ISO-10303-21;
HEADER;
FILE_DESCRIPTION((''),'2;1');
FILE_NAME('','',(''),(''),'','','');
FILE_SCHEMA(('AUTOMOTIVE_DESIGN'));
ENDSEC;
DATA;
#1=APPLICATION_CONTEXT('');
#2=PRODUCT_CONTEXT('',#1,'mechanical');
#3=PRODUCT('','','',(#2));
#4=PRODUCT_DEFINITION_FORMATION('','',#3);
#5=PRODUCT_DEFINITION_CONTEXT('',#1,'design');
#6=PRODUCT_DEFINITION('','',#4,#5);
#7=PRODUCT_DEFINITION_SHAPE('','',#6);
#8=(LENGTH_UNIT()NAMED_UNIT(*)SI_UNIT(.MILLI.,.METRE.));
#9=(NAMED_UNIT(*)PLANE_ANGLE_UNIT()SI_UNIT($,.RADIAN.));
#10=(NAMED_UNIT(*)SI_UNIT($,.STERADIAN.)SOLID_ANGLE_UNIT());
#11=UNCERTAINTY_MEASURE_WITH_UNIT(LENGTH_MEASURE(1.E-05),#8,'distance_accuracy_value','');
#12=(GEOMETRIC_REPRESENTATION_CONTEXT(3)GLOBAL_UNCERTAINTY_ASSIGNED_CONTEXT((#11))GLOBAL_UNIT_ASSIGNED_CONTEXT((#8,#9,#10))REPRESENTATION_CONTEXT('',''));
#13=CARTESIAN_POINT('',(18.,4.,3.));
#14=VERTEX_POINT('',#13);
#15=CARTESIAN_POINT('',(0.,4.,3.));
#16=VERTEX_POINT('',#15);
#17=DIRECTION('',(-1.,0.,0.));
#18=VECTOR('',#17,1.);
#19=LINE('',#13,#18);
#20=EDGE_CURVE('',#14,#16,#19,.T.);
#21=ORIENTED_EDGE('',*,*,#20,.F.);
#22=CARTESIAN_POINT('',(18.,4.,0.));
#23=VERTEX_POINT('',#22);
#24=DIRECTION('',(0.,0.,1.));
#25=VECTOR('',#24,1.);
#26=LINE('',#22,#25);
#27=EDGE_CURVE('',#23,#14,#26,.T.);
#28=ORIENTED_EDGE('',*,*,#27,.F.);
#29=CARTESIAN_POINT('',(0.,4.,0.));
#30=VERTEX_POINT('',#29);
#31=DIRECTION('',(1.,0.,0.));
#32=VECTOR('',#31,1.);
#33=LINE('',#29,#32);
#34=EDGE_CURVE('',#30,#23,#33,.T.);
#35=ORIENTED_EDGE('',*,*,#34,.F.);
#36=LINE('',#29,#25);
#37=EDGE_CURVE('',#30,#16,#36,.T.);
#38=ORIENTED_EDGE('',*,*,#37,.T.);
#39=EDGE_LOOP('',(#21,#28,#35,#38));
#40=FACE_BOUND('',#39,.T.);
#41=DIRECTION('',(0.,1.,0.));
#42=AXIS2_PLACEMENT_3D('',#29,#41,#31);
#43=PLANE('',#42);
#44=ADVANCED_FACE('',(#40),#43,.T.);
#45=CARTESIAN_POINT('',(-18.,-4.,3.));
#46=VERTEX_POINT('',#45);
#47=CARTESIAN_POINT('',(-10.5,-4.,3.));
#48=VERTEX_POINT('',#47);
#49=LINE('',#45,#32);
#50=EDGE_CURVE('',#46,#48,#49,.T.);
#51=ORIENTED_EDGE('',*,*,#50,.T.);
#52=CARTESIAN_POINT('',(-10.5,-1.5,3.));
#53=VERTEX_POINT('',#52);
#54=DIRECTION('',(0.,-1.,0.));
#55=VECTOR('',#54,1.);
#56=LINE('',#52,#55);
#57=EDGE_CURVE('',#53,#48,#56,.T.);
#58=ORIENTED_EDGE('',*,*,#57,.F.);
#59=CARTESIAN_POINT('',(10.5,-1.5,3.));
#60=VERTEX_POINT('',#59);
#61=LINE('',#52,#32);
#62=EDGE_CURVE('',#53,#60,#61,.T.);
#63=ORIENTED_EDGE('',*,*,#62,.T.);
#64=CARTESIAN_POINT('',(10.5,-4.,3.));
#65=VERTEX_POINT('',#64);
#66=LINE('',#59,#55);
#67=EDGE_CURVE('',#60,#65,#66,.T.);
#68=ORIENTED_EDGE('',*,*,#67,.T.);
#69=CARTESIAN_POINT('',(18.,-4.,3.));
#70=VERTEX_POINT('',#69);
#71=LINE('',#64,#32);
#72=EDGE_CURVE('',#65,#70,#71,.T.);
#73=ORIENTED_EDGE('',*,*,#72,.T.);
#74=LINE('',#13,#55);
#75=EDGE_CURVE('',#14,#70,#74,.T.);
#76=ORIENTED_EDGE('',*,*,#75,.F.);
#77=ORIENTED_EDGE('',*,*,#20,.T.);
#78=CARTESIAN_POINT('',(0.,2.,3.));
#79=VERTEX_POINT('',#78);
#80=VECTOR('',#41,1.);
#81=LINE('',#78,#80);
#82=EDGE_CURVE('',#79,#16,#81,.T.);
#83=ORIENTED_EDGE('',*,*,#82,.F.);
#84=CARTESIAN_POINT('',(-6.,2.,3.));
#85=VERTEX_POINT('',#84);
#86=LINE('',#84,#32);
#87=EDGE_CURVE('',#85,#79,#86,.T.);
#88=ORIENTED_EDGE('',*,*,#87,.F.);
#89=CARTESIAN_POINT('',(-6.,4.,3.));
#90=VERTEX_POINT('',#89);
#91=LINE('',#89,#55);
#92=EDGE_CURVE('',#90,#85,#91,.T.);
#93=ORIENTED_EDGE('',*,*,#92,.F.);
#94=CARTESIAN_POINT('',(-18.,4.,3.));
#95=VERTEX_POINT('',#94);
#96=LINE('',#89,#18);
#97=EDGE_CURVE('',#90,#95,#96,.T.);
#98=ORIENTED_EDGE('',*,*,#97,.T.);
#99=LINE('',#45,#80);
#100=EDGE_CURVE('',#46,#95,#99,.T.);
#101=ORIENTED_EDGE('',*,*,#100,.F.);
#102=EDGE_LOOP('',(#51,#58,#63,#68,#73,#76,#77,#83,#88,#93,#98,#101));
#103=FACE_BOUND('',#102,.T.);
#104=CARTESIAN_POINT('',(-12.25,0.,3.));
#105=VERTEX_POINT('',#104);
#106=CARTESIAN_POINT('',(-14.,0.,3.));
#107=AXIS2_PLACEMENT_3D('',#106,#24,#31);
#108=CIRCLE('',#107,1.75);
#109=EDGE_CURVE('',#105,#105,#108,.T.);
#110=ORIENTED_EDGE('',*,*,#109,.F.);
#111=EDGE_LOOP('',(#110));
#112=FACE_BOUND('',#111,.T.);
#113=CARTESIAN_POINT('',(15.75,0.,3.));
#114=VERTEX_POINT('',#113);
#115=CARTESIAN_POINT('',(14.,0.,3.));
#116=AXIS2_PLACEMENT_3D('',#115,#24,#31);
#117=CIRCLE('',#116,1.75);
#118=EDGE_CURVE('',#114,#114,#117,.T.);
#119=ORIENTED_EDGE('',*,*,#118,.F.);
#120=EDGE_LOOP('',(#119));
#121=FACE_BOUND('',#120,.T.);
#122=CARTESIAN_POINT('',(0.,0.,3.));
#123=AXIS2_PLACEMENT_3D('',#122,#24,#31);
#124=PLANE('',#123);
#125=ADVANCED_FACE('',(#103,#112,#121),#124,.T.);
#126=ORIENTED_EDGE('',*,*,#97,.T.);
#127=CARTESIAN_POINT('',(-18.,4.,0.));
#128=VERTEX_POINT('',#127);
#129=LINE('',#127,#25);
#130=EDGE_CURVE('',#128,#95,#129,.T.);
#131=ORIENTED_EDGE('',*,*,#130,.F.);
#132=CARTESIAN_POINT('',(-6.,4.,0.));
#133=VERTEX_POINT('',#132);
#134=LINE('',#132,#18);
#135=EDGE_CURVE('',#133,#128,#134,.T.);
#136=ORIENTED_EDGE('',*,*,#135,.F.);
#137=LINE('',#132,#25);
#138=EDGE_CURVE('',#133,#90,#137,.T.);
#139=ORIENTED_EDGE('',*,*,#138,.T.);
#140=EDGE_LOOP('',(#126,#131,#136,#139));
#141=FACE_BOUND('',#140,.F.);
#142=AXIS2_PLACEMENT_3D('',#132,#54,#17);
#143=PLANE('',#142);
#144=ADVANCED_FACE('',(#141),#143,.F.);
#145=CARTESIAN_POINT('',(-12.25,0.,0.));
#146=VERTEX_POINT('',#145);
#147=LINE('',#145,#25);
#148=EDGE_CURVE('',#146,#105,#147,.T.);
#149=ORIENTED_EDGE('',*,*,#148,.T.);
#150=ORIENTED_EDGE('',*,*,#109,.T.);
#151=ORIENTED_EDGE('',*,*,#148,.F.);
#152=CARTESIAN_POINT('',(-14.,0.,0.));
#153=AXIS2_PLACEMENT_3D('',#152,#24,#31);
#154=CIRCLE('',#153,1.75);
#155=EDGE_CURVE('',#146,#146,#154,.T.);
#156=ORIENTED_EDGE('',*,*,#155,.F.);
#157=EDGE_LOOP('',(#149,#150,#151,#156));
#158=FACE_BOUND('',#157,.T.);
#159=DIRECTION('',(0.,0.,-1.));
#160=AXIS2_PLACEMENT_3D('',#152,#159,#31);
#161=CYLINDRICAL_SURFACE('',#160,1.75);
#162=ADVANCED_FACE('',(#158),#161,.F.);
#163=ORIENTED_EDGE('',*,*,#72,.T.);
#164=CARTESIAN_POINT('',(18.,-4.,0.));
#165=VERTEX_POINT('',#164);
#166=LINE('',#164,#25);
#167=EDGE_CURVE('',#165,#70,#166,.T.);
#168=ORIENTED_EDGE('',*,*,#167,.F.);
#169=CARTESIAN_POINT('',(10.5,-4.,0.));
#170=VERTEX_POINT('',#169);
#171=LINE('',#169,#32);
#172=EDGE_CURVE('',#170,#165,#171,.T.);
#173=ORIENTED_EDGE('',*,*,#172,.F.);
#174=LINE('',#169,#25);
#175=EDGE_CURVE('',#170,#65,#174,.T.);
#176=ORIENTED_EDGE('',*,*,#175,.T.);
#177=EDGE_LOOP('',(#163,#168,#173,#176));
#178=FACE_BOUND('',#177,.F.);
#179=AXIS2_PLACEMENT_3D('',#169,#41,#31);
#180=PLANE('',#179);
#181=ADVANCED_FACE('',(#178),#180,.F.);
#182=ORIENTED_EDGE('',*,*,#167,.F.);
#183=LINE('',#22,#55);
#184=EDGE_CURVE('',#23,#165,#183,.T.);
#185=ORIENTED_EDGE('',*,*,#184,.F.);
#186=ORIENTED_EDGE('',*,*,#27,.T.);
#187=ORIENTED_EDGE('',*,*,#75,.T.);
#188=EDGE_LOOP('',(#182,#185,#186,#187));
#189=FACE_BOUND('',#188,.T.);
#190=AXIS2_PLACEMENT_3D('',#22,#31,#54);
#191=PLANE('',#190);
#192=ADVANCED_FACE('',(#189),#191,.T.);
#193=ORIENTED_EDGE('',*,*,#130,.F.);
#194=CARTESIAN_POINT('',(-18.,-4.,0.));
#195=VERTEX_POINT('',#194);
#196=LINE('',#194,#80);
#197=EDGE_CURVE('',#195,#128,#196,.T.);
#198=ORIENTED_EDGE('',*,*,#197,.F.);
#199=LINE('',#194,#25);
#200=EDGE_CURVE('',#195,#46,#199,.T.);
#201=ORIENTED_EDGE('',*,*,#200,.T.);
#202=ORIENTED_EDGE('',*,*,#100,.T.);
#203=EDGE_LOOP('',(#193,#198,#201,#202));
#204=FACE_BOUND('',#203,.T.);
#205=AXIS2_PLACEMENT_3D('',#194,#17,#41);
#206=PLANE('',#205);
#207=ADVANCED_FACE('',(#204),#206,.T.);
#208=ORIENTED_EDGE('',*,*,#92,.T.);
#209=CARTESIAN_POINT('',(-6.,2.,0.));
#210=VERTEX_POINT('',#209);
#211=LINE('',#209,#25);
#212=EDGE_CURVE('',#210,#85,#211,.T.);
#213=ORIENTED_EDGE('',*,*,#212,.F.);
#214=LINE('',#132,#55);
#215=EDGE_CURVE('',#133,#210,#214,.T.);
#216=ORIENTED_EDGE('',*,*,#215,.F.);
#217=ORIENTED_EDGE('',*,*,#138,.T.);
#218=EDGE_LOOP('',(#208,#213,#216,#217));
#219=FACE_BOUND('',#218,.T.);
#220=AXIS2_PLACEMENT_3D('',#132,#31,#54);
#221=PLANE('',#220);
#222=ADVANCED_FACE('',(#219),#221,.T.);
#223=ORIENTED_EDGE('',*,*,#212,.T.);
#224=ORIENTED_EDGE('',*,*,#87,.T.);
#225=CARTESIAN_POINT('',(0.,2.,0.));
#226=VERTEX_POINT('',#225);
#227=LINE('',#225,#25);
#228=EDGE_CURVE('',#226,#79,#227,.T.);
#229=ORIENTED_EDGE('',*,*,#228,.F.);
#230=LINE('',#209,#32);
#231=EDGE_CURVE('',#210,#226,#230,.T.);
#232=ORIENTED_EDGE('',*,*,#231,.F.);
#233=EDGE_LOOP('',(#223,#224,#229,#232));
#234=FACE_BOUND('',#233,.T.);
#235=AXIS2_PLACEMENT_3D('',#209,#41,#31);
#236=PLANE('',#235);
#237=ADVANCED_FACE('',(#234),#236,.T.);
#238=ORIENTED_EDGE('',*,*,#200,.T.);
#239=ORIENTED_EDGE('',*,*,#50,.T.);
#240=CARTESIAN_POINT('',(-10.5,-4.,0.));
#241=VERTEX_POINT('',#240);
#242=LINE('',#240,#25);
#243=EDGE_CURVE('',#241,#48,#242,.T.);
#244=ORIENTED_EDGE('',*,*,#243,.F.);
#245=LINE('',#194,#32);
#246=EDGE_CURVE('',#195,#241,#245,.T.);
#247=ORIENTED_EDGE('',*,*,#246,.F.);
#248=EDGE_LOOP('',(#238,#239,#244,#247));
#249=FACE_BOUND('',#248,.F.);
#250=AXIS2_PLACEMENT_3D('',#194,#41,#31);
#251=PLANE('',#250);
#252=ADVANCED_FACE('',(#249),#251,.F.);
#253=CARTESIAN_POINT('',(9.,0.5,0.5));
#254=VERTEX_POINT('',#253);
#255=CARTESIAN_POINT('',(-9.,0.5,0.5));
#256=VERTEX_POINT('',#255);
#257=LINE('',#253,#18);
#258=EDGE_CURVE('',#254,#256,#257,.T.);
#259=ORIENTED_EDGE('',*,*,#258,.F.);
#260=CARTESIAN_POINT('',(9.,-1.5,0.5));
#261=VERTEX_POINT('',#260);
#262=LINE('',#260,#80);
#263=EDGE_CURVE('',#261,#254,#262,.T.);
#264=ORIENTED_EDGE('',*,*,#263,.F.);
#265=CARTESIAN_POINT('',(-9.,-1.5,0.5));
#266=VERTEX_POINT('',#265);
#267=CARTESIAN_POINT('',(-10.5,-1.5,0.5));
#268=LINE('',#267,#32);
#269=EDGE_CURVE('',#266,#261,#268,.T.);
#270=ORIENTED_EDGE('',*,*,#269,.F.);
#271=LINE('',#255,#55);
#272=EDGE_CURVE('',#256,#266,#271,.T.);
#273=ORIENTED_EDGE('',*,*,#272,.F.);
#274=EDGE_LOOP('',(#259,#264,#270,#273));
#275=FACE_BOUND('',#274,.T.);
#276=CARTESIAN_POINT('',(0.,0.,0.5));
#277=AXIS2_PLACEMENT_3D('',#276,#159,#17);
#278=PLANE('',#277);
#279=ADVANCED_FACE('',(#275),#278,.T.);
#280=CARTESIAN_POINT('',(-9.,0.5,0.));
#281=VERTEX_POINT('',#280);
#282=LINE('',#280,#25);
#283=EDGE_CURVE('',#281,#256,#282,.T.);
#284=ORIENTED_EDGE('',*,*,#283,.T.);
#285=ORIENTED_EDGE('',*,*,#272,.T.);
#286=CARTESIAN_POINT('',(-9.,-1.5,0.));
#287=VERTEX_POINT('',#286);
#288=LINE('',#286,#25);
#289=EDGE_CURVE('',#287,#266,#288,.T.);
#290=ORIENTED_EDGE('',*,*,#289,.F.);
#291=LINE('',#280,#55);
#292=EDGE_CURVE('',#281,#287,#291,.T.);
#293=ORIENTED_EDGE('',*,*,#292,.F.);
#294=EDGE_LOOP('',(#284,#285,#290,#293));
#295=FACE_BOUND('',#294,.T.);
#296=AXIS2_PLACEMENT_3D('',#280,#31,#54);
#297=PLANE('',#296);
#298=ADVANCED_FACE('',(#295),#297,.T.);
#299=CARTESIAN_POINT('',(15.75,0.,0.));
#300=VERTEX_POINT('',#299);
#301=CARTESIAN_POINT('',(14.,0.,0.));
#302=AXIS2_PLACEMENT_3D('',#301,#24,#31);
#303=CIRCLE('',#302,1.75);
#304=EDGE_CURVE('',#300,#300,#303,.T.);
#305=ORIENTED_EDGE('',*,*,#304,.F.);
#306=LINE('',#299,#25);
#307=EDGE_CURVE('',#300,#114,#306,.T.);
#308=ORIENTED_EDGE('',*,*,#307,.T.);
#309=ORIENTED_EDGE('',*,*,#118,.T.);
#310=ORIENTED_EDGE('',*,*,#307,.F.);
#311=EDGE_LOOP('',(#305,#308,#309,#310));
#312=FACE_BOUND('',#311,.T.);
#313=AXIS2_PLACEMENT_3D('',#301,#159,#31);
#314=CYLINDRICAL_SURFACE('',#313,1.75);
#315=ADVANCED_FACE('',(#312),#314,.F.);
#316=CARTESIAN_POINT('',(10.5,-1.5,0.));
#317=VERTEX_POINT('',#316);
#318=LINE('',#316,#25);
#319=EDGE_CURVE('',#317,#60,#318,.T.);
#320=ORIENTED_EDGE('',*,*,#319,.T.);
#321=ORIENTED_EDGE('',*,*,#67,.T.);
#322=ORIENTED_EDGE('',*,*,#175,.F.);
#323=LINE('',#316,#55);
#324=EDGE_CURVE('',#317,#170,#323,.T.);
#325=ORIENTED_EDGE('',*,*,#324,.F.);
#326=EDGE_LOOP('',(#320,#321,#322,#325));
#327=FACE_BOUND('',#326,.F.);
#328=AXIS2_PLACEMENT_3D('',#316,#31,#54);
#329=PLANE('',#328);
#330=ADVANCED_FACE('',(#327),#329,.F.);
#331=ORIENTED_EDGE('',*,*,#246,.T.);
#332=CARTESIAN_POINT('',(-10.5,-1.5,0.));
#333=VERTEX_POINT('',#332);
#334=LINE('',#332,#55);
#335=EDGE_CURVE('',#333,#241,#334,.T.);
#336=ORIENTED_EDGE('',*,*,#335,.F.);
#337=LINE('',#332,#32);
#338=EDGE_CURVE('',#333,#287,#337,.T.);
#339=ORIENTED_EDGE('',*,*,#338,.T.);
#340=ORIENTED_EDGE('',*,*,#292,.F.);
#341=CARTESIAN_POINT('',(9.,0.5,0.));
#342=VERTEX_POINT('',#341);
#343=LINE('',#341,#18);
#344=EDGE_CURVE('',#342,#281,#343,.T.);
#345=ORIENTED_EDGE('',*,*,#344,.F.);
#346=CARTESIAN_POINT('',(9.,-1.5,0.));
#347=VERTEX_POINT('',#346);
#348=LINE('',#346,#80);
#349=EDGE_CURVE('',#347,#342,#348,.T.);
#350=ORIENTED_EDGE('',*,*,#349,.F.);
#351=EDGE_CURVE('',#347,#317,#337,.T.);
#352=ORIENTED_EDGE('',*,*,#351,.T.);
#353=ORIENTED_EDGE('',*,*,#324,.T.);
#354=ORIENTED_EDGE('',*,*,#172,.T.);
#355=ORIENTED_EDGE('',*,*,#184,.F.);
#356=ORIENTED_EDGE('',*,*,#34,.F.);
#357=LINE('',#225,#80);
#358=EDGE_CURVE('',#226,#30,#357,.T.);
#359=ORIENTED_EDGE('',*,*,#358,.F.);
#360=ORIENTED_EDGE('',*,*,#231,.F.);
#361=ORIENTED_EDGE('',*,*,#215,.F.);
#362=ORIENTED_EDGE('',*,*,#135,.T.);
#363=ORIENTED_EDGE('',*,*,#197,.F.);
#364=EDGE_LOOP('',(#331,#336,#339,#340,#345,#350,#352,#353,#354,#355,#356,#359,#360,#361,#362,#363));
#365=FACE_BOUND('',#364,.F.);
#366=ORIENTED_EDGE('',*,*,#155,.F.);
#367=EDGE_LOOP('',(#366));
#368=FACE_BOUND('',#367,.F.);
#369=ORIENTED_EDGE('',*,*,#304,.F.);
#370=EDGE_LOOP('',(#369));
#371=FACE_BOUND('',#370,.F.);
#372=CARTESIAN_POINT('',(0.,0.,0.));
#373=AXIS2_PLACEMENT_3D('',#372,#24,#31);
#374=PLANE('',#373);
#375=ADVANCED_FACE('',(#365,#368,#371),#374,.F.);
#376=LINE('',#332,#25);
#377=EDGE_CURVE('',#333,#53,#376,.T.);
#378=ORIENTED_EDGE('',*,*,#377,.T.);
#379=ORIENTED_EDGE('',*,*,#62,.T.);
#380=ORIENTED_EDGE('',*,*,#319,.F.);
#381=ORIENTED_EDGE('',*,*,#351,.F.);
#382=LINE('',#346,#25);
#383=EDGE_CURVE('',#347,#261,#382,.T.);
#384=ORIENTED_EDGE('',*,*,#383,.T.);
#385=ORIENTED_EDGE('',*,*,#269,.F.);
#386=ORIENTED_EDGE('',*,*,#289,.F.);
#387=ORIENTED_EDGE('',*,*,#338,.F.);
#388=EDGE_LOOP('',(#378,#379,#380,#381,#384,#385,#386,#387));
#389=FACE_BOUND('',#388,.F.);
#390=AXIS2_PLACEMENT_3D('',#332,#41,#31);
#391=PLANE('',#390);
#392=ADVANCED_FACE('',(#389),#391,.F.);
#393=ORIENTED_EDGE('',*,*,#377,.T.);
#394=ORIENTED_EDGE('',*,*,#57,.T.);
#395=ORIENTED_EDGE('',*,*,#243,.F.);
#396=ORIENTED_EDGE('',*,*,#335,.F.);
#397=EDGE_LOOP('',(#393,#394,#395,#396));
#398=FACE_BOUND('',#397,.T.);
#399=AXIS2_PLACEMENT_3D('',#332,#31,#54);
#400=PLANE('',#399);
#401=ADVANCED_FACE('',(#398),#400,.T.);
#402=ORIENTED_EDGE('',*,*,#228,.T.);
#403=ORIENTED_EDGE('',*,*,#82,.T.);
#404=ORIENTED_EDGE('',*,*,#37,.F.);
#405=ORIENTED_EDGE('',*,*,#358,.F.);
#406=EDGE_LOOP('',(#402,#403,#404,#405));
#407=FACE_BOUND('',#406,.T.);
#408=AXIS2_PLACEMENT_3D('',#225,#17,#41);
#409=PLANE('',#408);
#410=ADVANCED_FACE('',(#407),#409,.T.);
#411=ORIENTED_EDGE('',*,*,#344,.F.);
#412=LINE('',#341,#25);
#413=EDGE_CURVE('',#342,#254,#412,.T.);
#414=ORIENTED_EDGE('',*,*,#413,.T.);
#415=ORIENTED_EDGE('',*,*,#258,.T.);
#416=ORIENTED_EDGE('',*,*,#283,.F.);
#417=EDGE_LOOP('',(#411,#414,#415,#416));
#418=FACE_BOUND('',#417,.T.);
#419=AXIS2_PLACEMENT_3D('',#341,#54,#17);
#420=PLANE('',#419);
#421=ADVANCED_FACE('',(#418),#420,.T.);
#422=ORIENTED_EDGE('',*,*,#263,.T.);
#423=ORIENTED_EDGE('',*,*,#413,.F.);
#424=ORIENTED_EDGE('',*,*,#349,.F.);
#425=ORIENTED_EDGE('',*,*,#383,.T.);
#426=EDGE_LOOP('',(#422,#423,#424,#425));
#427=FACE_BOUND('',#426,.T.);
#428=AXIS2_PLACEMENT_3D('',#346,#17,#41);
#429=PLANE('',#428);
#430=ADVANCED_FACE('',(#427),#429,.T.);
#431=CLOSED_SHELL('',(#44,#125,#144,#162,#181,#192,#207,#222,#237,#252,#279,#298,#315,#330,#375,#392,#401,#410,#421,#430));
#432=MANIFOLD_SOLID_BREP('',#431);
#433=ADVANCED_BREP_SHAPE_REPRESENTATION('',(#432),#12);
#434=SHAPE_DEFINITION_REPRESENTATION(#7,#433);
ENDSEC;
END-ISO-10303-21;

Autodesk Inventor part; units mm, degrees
ref_plane "YZ Plane" through (0, 0, 0) normal (1, 0, 0) x (0, 1, 0)
ref_plane "XZ Plane" through (0, 0, 0) normal (0, 1, 0) x (-1, 0, 0)
ref_plane "XY Plane" through (0, 0, 0) normal (0, 0, 1) x (1, 0, 0)
sketch "Sketch" plane through (0, 0, 0) normal (0, 0, 1) x (1, 0, 0)
  line L0 (-18, -4) -> (-18, 4)
  circle A0 centre (-14, 0) radius 1.75
  circle A1 centre (14, 0) radius 1.75
  line L1 (-10.5, -1.5) -> (-10.5, -4)
  line L2 (10.5, -1.5) -> (10.5, -4)
  line L3 (-18, -4) -> (-10.5, -4)
  line L4 (10.5, -4) -> (18, -4)
  line L5 (-6, 4) -> (-6, 2)
  line L6 (-6, 2) -> (0, 2)
  line L7 (0, 2) -> (0, 4)
  line L8 (0, 4) -> (11.6122, 4)
  line L9 (0, 4) -> (18, 4)
  line L10 (18, 4) -> (18, -4)
  line L11 (-10.5, -1.5) -> (10.5, -1.5)
  line L12 (-6, 4) -> (-18, 4)
  line L13 (0, 15.3827) -> (0, -14.6173) construction
  point P0 (0, 0)
  point P1 (18, 0)
  dimension "d18" = 3.5
  dimension "d34" = 6
  dimension "d35" = 21
  dimension "d36" = 2.5
  dimension "d39" = 36
  dimension "d41" = 8
  dimension "d45" = 12
  dimension "d49" = 14
  dimension "d50" = 28
  dimension "d51" = 2
extrude "holder" add sketch "Sketch" along normal blind 3
sketch "Sketch3" plane through (0, 0, 0) normal (0, 0, -1) x (-1, 0, 0)
  line L0 (10.5, -1.5) -> (-10.5, -1.5) projected
  line L1 (-9, 0.5) -> (9, 0.5)
  line L2 (9, 0.5) -> (9, -1.5)
  line L3 (9, -1.5) -> (-9, -1.5)
  line L4 (-9, -1.5) -> (-9, 0.5)
  point P0 (0, 0)
  point P1 (0, -1.5)
  dimension "d52" = 2
  dimension "d53" = 18
extrude "cutout for connector legs" cut sketch "Sketch3" against normal blind 0.5
properties part number "solar_board_holder"
